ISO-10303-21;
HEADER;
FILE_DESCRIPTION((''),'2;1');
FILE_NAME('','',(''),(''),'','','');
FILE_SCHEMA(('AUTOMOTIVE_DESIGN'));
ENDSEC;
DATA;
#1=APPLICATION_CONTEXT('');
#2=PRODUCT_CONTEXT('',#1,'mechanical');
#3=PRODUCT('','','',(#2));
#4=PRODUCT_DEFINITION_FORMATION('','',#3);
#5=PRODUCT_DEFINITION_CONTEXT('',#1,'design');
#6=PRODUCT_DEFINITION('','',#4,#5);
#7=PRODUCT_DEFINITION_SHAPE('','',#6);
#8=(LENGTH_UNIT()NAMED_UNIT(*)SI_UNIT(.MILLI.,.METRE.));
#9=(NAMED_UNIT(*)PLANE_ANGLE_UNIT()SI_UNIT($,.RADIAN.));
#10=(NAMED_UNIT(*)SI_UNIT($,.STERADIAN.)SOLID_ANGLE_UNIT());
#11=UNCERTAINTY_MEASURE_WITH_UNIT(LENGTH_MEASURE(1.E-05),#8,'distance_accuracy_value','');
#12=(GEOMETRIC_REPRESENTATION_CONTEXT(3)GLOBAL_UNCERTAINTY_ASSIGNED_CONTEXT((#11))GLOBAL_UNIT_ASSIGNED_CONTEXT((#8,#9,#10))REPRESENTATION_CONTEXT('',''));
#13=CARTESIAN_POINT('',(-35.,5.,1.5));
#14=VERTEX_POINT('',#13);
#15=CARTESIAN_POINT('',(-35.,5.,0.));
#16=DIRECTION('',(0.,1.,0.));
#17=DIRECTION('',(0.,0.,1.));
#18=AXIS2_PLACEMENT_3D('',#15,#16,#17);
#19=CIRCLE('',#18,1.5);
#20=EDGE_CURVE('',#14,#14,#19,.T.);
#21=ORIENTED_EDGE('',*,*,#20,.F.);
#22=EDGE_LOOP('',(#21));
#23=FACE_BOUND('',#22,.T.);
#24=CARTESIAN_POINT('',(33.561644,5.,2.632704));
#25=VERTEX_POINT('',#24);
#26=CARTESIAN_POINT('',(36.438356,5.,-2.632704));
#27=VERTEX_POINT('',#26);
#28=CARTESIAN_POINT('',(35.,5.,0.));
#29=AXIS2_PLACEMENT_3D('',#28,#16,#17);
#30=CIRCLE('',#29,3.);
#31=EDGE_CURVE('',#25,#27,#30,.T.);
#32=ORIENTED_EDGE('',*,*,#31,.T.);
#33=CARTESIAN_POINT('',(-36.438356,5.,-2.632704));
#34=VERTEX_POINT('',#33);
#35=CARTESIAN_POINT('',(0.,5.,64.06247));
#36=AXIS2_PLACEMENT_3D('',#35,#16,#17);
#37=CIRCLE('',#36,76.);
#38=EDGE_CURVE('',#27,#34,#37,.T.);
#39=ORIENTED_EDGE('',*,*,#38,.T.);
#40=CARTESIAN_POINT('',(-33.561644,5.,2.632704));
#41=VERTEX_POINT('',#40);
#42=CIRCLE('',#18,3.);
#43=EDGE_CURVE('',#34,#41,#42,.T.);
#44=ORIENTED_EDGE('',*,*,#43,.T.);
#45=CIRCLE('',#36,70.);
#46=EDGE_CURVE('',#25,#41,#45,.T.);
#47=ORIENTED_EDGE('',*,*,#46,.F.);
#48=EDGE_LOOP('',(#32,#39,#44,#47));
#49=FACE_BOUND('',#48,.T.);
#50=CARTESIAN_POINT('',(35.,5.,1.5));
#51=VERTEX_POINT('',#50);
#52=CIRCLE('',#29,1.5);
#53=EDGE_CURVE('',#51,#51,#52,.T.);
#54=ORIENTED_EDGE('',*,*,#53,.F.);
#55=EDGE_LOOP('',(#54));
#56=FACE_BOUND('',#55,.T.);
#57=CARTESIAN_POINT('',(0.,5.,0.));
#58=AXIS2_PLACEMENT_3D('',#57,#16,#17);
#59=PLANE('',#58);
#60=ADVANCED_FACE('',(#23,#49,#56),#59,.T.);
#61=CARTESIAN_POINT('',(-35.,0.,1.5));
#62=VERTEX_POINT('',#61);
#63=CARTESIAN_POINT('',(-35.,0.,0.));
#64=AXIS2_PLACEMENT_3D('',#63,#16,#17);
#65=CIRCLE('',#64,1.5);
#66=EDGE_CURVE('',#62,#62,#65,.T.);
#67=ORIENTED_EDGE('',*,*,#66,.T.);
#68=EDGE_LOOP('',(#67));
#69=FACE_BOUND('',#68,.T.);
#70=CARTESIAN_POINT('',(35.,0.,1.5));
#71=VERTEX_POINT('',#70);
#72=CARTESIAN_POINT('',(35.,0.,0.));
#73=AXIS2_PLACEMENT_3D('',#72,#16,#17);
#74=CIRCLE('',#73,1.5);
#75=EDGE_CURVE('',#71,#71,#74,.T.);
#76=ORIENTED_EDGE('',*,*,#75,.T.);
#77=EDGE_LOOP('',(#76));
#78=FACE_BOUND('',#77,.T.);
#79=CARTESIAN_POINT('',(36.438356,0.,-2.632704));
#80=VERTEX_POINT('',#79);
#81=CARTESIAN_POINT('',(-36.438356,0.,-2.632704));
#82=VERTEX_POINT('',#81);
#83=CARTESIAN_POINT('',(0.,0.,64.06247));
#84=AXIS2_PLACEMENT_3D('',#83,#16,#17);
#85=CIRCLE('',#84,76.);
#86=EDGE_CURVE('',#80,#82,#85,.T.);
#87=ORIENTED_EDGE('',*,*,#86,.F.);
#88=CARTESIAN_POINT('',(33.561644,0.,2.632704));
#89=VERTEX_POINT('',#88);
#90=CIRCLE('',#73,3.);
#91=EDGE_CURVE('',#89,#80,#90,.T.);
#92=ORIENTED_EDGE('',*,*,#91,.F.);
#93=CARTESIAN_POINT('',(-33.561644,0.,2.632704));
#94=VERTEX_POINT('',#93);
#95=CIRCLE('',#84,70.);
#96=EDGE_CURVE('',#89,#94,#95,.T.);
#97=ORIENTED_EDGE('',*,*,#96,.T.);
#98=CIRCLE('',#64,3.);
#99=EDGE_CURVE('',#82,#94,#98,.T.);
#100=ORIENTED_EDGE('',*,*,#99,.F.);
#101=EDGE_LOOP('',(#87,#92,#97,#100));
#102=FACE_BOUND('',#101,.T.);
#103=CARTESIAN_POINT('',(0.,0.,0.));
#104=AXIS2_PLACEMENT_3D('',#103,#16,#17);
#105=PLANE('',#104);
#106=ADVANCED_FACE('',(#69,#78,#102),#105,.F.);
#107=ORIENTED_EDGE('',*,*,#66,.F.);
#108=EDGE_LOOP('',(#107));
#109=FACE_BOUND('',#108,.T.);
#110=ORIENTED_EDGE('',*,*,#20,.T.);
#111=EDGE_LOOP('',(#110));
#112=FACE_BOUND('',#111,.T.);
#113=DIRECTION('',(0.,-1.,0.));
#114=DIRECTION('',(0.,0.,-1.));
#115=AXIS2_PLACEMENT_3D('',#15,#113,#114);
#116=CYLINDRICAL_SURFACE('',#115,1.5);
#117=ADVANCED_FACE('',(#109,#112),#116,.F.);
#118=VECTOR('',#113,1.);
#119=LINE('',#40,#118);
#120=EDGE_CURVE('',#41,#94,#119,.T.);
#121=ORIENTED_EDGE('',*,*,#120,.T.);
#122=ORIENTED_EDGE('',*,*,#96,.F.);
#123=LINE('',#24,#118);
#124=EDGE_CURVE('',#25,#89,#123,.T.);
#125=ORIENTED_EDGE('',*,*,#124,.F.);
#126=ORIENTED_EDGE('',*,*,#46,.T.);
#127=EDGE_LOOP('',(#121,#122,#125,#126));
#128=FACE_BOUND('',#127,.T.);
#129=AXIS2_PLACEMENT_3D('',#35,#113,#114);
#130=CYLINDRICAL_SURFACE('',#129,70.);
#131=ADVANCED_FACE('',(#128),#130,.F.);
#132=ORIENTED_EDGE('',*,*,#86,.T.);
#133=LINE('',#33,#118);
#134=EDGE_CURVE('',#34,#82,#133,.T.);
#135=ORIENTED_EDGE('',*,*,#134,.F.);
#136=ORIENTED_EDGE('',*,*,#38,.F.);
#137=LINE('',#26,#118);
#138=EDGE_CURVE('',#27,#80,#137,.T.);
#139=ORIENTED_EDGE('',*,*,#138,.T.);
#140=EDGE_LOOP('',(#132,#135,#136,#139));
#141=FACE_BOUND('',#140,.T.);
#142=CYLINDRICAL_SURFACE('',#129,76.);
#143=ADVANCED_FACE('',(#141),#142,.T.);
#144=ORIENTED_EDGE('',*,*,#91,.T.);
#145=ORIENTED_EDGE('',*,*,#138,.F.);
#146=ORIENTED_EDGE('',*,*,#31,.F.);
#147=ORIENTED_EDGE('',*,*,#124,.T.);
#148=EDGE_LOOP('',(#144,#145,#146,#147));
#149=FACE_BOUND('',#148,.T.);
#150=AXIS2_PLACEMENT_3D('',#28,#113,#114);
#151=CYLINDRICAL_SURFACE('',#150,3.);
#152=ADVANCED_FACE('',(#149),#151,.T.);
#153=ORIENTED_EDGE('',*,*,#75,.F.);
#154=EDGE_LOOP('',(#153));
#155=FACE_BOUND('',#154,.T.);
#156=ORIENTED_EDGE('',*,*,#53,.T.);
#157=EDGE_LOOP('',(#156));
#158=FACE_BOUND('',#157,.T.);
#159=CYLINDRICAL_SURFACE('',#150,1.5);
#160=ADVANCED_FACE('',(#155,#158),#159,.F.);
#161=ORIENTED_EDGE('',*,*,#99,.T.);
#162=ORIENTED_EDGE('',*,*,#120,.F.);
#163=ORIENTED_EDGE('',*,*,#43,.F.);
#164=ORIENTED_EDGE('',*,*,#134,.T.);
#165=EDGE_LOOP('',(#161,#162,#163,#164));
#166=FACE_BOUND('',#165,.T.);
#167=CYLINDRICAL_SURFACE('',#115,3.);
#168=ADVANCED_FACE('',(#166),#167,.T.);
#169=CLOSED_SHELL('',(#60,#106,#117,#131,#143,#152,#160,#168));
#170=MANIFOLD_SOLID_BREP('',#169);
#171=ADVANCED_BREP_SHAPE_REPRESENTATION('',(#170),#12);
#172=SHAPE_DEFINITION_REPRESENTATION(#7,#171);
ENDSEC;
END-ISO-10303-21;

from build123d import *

# Parameters (mm, degrees)
ESQUISSE1_R        = 1.5
BOSS_EXTRU_1_DEPTH = 5


with BuildPart() as part:
    # Esquisse1 → Boss.-Extru.1 (new body)
    with BuildSketch(Plane(origin=(0, 0, 0), x_dir=(1, 0, 0), z_dir=(0, 1, 0))):
        with BuildLine():
            ThreePointArc((-36.438356038, 2.632704296), (-37.632704242, -1.438356135), (-33.561643767, -2.632704189))
            ThreePointArc((-33.561643767, -2.632704189), (6.8e-08, 5.937530488), (33.561643886, -2.632704254))
            ThreePointArc((33.561643886, -2.632704254), (37.632704286, -1.438356055), (36.438355996, 2.632704318))
            ThreePointArc((36.438355996, 2.632704318), (-2.4e-08, 11.937530488), (-36.438356038, 2.632704296))
        make_face()
        with Locations(Location((-35, 0, 0), (0, 0, 270))):
            Circle(ESQUISSE1_R, mode=Mode.SUBTRACT)
        with Locations(Location((35, 0, 0), (0, 0, 270))):
            Circle(ESQUISSE1_R, mode=Mode.SUBTRACT)
    extrude(amount=BOSS_EXTRU_1_DEPTH)


solid = part.part
